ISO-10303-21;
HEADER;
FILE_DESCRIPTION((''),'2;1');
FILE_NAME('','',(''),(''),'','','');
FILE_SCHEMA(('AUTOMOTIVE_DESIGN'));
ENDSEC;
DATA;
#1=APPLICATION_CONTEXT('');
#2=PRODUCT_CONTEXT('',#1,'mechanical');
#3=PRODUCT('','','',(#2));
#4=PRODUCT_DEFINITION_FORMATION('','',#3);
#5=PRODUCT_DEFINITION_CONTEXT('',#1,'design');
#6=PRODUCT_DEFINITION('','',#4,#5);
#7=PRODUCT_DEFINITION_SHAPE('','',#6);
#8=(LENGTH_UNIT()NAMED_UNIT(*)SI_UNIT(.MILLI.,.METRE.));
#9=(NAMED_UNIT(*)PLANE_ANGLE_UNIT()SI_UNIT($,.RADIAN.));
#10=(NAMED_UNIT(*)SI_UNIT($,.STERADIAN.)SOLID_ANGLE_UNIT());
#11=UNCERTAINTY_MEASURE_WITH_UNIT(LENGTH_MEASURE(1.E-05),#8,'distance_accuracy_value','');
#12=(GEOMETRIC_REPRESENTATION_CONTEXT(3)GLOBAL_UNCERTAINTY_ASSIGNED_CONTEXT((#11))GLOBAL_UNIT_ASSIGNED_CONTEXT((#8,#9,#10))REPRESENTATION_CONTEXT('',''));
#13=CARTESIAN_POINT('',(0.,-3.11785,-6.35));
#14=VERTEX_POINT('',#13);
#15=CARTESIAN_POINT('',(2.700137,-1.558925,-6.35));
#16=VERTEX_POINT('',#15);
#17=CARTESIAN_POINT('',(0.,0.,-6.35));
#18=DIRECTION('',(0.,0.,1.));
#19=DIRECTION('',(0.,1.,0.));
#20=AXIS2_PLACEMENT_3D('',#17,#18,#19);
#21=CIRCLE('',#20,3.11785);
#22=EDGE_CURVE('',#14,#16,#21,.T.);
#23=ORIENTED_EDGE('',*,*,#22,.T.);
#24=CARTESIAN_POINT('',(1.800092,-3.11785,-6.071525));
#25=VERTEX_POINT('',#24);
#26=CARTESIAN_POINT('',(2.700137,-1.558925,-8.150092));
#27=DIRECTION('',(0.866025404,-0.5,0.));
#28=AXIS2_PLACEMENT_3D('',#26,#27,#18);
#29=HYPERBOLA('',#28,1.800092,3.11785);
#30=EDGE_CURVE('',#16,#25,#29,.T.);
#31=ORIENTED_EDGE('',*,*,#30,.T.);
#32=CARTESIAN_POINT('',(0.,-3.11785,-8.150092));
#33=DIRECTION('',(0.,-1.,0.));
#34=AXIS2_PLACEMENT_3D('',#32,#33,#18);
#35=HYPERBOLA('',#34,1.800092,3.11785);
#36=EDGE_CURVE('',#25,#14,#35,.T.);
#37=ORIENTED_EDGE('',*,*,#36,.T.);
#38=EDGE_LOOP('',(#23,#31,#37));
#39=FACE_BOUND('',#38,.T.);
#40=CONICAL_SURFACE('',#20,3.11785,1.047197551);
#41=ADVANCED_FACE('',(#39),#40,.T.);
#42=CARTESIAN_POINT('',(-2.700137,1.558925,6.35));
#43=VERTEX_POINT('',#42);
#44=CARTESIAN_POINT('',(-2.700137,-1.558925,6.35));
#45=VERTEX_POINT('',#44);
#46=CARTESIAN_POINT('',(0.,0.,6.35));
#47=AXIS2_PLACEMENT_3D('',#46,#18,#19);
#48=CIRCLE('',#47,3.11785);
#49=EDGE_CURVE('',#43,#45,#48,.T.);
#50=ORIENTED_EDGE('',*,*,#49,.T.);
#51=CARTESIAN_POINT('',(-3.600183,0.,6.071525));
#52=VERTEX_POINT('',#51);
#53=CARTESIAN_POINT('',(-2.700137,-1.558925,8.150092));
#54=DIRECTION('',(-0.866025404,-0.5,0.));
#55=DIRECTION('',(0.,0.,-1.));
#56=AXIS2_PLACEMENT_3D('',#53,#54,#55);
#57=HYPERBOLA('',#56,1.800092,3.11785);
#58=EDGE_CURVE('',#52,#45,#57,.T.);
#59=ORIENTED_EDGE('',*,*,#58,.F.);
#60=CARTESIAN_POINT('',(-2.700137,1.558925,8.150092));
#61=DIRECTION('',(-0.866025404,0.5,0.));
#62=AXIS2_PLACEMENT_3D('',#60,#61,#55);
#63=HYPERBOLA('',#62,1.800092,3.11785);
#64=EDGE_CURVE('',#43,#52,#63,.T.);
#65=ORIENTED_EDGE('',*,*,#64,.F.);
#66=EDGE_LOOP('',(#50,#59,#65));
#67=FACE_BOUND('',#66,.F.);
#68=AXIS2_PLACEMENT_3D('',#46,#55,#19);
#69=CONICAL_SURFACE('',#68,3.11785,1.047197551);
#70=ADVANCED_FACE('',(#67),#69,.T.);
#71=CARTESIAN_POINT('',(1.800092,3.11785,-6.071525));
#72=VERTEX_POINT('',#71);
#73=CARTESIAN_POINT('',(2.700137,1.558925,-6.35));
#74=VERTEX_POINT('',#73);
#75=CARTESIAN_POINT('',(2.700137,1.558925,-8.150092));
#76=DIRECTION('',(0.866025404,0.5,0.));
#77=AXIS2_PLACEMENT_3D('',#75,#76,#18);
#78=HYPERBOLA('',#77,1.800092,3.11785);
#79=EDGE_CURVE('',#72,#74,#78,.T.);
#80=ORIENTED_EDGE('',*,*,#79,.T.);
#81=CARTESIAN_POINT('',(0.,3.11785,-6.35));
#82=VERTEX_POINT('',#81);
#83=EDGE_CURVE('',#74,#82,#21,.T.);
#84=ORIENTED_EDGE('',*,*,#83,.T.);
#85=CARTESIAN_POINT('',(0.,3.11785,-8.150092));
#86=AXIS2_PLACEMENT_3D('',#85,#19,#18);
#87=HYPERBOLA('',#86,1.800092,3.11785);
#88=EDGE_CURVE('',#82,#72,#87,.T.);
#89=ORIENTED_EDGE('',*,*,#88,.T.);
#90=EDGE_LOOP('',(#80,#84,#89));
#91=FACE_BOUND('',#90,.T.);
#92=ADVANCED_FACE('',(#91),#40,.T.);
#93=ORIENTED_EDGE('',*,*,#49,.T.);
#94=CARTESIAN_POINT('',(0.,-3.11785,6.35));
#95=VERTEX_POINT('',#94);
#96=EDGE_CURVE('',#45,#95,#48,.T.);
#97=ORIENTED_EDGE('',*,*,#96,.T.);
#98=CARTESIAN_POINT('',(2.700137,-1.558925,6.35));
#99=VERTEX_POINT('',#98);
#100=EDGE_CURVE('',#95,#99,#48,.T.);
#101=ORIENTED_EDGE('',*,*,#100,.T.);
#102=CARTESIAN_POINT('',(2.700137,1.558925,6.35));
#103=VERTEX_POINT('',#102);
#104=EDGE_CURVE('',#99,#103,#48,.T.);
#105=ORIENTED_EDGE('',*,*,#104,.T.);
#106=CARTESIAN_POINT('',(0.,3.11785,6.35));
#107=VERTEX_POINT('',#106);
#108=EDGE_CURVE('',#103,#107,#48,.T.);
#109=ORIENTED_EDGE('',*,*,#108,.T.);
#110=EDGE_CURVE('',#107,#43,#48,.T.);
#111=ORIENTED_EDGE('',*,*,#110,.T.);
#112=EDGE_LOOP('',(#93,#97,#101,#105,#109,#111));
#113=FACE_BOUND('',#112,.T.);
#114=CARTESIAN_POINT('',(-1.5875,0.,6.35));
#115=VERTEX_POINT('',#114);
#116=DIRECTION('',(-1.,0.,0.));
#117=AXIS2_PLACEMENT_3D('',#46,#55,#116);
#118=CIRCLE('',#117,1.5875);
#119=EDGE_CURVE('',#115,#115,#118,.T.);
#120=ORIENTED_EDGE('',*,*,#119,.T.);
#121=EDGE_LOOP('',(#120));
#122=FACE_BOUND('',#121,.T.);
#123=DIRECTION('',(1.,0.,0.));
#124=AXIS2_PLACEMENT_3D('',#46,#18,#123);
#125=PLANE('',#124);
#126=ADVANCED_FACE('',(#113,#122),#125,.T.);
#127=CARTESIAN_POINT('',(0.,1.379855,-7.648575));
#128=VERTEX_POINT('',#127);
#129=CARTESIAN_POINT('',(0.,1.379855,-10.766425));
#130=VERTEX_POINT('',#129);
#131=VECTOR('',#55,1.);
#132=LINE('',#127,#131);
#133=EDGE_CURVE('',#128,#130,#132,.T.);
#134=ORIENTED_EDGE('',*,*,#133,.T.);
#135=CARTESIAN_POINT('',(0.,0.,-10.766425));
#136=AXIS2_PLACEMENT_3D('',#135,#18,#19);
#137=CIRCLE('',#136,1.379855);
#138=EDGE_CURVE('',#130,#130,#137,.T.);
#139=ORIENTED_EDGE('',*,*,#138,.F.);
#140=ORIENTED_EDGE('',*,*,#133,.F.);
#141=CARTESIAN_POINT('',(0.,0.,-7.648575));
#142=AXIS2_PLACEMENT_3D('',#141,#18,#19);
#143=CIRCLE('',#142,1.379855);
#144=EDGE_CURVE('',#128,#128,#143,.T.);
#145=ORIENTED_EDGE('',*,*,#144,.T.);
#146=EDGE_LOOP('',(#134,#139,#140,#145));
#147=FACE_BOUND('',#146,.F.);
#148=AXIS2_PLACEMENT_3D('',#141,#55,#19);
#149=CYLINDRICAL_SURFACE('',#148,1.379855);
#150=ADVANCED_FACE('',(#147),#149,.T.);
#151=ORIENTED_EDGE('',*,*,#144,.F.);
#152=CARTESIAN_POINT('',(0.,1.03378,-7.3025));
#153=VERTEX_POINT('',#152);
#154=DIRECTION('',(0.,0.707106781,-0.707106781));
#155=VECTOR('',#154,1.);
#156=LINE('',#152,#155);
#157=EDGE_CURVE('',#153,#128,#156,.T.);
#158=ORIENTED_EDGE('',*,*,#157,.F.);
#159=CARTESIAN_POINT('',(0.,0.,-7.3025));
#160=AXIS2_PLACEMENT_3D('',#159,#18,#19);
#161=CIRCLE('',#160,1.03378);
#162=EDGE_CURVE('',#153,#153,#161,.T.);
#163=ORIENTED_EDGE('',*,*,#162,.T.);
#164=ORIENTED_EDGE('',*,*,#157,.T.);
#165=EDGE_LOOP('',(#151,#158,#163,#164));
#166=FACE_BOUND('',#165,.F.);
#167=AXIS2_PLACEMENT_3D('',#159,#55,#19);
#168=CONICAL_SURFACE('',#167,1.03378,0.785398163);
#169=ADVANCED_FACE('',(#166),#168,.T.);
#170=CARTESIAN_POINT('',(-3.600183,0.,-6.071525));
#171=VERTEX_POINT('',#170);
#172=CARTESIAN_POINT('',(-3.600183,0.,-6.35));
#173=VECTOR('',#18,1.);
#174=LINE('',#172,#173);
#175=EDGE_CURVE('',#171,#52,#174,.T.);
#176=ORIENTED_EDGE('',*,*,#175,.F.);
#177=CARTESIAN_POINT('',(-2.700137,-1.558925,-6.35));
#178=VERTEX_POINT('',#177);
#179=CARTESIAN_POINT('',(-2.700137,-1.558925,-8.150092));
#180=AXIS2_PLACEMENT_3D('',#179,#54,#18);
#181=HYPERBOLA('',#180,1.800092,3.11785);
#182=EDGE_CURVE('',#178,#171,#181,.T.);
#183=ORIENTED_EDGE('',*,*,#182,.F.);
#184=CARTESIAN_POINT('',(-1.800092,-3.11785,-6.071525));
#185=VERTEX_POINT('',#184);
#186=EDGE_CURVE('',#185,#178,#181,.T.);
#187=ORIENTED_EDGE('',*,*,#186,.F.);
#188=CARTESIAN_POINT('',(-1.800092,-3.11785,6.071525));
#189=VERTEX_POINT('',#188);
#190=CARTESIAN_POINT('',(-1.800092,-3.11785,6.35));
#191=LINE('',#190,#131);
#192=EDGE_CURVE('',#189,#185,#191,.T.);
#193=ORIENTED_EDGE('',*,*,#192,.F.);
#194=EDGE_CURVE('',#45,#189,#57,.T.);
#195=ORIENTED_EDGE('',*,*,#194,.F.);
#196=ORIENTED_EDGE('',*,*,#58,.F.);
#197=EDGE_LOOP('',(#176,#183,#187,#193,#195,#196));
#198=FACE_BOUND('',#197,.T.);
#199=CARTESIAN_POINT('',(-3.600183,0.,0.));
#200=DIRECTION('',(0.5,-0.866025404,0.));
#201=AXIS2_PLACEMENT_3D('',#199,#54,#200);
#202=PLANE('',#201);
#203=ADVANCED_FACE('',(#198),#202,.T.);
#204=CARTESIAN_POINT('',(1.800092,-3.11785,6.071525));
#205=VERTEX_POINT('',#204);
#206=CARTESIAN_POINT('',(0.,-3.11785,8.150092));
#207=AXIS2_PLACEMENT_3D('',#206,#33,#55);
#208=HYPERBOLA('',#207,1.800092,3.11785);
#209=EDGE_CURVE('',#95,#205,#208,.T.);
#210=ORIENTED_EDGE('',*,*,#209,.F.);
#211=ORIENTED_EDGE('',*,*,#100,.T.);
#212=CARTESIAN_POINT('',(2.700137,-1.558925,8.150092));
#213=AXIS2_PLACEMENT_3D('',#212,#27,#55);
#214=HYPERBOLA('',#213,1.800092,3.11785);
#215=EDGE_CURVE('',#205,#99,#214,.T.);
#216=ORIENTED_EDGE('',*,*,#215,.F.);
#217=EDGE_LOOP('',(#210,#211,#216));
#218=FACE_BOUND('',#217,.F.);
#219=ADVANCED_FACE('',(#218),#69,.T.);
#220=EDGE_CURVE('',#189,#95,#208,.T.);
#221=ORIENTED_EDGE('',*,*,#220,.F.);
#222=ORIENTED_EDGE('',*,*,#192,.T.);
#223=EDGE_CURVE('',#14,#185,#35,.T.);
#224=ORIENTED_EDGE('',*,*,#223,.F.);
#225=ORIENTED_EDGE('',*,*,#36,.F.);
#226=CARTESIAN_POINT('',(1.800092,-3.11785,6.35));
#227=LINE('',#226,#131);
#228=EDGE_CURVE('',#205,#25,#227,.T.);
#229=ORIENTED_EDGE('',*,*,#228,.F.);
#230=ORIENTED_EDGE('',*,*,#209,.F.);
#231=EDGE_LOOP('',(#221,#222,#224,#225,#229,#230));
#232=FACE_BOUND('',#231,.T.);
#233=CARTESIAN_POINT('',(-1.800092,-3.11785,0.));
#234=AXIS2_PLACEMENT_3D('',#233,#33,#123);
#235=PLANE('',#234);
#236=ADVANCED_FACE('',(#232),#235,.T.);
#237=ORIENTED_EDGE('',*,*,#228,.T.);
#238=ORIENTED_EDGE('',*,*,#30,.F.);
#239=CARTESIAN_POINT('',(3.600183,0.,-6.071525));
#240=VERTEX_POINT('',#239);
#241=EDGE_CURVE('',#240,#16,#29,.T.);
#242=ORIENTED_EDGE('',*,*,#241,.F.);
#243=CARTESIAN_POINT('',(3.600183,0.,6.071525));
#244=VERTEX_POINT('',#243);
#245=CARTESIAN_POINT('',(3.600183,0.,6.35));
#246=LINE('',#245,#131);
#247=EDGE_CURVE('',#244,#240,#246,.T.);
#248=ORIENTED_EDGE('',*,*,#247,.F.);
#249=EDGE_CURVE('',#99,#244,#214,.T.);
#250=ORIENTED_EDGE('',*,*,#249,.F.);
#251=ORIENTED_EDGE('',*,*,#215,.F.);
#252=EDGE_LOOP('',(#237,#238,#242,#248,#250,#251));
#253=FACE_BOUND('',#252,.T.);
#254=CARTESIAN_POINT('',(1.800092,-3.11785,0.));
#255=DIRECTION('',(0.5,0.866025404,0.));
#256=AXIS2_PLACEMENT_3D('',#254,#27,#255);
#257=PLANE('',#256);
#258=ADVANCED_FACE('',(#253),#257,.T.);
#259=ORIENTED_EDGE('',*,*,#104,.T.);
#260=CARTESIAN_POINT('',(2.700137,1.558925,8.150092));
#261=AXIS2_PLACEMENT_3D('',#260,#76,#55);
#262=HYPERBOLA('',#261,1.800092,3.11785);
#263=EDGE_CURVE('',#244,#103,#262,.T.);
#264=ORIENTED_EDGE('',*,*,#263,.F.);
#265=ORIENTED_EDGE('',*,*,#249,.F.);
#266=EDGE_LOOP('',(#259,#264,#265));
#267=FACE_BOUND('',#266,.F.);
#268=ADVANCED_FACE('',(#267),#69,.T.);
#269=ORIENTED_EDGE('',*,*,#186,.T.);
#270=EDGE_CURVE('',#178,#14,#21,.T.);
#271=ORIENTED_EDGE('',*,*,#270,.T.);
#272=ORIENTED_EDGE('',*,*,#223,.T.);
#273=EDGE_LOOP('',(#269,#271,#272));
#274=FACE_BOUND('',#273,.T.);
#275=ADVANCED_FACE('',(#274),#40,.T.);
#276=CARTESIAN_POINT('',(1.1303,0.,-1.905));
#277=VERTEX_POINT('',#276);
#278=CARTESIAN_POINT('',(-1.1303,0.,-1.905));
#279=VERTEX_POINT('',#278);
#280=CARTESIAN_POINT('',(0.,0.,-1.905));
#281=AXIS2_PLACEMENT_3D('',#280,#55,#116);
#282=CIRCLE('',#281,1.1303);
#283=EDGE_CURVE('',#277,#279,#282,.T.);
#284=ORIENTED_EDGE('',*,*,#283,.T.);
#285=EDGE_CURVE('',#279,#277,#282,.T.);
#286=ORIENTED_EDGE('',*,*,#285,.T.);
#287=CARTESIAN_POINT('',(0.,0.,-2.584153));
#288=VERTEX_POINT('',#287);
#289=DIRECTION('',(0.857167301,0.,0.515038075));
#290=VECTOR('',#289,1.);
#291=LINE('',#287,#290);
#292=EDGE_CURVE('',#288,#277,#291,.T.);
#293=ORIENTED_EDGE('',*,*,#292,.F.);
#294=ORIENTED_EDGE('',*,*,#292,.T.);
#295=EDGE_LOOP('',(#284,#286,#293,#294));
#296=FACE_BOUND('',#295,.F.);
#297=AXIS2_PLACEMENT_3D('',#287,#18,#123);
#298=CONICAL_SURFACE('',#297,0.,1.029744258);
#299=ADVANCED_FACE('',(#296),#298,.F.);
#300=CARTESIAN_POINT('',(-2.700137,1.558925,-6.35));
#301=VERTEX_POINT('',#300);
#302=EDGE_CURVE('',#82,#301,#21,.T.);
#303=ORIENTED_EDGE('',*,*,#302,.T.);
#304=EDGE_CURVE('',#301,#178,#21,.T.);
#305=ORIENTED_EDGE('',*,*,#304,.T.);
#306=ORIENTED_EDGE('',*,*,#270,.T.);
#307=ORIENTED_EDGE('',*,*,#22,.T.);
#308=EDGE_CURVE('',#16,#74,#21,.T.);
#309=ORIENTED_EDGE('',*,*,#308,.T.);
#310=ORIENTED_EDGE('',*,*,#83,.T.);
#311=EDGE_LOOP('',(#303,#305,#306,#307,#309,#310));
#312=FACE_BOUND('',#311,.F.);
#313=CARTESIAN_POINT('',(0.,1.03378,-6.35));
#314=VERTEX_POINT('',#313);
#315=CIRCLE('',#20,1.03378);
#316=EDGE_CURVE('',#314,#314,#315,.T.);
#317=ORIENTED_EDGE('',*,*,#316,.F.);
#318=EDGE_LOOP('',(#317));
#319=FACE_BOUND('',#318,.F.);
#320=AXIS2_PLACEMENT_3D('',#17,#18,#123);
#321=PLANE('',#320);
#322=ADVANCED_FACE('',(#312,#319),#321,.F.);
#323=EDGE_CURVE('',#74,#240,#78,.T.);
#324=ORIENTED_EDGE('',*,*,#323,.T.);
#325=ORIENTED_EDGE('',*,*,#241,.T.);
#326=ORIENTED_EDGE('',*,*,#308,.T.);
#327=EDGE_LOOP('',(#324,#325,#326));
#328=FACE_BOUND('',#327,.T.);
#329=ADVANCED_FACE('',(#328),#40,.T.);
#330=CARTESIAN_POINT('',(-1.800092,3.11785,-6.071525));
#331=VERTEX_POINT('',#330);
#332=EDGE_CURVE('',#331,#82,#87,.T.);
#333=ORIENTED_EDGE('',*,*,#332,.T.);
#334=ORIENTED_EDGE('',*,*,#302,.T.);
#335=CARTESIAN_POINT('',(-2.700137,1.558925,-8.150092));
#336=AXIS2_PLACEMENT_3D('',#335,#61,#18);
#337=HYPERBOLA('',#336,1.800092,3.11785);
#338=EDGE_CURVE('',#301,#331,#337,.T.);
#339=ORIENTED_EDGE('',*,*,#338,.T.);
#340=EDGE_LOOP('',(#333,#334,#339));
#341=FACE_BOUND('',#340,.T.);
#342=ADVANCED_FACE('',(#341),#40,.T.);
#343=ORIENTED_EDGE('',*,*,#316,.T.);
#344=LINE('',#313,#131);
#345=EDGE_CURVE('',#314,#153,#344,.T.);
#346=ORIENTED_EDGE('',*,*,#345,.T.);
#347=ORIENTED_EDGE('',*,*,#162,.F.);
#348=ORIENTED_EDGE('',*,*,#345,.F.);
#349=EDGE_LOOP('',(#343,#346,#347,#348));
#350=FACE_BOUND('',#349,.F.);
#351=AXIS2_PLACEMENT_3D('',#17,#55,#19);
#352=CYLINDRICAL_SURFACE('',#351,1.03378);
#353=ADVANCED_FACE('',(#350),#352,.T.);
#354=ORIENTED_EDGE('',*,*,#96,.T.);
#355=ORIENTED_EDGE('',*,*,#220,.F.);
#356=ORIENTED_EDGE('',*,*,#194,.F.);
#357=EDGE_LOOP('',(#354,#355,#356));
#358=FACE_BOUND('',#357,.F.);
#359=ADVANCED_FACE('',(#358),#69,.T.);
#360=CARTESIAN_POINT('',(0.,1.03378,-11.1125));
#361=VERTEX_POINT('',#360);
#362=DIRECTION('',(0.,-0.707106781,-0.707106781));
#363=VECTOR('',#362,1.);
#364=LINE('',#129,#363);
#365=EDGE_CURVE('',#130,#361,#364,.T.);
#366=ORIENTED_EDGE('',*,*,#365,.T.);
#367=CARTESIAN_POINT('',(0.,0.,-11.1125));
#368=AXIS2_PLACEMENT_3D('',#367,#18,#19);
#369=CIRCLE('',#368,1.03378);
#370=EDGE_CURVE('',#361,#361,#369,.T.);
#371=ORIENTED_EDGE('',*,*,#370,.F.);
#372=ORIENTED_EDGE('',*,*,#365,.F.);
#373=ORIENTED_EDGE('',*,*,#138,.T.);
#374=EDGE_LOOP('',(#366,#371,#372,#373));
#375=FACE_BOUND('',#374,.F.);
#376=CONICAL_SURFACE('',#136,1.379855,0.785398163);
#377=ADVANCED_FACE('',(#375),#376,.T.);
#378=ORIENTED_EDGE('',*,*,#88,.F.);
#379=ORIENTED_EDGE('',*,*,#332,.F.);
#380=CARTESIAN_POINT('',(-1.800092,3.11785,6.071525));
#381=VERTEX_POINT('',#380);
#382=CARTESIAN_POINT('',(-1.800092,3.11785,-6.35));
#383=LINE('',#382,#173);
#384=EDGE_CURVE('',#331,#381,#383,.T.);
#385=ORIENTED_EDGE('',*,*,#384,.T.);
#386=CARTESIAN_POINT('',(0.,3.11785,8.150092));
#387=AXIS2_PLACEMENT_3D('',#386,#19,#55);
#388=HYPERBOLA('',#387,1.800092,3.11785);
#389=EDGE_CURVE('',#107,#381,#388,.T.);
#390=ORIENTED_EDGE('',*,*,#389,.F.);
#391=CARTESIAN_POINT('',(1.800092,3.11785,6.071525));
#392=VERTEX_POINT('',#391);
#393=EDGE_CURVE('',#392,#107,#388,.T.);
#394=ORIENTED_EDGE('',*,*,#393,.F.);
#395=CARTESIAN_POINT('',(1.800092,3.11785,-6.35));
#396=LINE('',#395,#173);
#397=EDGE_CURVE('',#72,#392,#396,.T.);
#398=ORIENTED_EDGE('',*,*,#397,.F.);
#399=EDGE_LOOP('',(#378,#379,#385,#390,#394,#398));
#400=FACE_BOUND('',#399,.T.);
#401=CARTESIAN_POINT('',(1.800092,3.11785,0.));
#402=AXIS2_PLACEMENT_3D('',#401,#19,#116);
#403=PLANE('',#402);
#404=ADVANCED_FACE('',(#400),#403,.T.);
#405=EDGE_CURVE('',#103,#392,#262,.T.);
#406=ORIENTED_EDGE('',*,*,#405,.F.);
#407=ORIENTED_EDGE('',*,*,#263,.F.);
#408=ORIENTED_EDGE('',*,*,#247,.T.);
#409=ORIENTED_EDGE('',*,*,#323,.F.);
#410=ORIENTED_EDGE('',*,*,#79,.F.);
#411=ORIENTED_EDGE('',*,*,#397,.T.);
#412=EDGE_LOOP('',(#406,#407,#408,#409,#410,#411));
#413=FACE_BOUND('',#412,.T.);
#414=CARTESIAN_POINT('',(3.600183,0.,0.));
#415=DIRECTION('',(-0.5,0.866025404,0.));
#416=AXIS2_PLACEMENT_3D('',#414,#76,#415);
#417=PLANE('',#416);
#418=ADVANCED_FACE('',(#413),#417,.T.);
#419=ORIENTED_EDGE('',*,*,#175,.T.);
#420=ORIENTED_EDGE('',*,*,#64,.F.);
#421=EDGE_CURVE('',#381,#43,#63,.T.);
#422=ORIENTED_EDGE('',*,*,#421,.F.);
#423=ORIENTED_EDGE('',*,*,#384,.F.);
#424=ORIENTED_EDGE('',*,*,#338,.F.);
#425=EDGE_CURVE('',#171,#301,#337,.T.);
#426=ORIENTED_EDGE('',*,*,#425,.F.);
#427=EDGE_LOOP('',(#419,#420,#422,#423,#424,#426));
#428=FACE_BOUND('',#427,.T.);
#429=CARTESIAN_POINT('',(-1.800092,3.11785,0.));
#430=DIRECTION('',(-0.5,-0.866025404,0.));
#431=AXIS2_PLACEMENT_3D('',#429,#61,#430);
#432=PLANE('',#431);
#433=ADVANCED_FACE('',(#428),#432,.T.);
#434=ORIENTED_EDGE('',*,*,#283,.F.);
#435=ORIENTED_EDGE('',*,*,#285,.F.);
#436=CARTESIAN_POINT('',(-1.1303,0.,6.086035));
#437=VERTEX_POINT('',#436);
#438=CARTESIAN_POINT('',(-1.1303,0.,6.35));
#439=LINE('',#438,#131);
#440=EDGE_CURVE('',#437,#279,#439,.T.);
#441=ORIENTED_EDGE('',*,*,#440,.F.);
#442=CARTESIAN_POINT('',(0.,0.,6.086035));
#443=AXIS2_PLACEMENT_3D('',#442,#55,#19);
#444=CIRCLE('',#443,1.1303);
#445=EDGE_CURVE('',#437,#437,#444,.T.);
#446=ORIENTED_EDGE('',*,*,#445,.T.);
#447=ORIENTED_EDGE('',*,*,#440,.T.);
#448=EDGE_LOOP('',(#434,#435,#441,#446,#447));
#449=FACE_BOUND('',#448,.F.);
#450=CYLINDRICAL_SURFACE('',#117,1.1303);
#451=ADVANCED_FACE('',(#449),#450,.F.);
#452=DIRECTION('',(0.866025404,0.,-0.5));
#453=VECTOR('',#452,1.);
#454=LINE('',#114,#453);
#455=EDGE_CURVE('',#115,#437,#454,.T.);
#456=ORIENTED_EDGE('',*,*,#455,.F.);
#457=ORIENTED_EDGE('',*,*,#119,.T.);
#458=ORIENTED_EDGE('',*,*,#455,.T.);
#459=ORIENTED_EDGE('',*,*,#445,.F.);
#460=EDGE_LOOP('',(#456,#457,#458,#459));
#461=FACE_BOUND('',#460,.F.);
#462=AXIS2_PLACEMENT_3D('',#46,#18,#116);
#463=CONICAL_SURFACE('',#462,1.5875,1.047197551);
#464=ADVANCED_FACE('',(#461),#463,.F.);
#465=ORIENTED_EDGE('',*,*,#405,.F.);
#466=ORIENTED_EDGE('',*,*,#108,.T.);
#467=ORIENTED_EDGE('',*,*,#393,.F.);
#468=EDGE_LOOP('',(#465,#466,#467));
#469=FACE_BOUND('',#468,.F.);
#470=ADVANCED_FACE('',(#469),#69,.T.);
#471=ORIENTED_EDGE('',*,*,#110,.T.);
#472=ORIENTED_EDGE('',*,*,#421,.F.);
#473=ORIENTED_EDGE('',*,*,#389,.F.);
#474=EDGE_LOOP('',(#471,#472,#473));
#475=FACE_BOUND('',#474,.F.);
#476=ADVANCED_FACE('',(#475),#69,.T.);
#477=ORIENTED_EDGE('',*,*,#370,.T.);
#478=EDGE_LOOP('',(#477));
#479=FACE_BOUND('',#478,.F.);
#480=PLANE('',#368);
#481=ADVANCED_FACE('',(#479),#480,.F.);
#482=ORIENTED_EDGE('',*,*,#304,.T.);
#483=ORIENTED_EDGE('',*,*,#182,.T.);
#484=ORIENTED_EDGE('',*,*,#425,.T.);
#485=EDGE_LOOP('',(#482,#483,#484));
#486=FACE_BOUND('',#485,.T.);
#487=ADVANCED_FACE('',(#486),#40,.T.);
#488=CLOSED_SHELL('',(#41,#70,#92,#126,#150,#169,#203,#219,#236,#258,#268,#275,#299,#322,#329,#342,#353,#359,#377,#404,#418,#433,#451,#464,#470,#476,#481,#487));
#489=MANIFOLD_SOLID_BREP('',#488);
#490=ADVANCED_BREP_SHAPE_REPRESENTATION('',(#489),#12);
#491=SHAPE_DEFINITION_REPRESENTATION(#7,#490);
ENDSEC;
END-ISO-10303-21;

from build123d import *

# Parameters (mm, degrees)
EXTRUDE1_DEPTH                                 = 6.35
F_4_40_TAPPED_HOLE1_STANDARD_DEPTH_D           = 2.2606
F_4_40_TAPPED_HOLE1_STANDARD_DEPTH_DEPTH       = 8.255
F_4_40_TAPPED_HOLE1_STANDARD_DEPTH_CSINK_D     = 3.175
F_4_40_TAPPED_HOLE1_STANDARD_DEPTH_CSINK_ANGLE = 120
F_4_40_TAPPED_HOLE1_STANDARD_DEPTH_TIP         = 0.679152758


with BuildPart() as part:
    # Sketch1 → Extrude1 (new body, symmetric)
    with BuildSketch(Plane.XY):
        Polygon((3.600183074, 0), (1.800091537, 3.11785), (-1.800091537, 3.11785), (-3.600183074, 0), (-1.800091537, -3.11785), (1.800091537, -3.11785), align=None)
    extrude(amount=EXTRUDE1_DEPTH, both=True)

    # Sketch3 → Cut-Revolve1 (revolve, cut)
    with BuildSketch(Plane(origin=(0, 0, 0), x_dir=(0, 0, -1), z_dir=(1, 0, 0))):
        Polygon((-6.35, 3.11785), (-5.47011819, 4.64185), (-6.604, 4.64185), (-6.604, 3.11785), align=None)
    cut_revolve1 = revolve(axis=Axis((0, 0, 6.35), (0, 0, 1)), mode=Mode.SUBTRACT)

    # Mirror1: Cut-Revolve1 across plane
    add(cut_revolve1.mirror(Plane.XY), mode=Mode.SUBTRACT)

    # Sketch2 → 4-40 stud (revolve)
    with BuildSketch(Plane(origin=(0, 0, 0), x_dir=(0, 0, -1), z_dir=(1, 0, 0))):
        Polygon((6.35, 1.03378), (7.3025, 1.03378), (7.648575, 1.379855), (10.766425, 1.379855), (11.1125, 1.03378), (11.1125, 0), (6.35, 0), align=None)
    revolve(axis=Axis((0, 0, -6.35), (0, 0, 1)))

    # #4-40 Tapped Hole1 (STANDARD DEPTH)
    with Locations(Plane.XY.offset(6.35)):
        with Locations((0, 0)):
            CounterSinkHole(F_4_40_TAPPED_HOLE1_STANDARD_DEPTH_D / 2, F_4_40_TAPPED_HOLE1_STANDARD_DEPTH_CSINK_D / 2, depth=F_4_40_TAPPED_HOLE1_STANDARD_DEPTH_DEPTH, counter_sink_angle=F_4_40_TAPPED_HOLE1_STANDARD_DEPTH_CSINK_ANGLE)
            with Locations((0, 0, -(F_4_40_TAPPED_HOLE1_STANDARD_DEPTH_DEPTH + F_4_40_TAPPED_HOLE1_STANDARD_DEPTH_TIP / 2))):  # 118° drill point
                Cone(0, F_4_40_TAPPED_HOLE1_STANDARD_DEPTH_D / 2, F_4_40_TAPPED_HOLE1_STANDARD_DEPTH_TIP, mode=Mode.SUBTRACT)


solid = part.part
